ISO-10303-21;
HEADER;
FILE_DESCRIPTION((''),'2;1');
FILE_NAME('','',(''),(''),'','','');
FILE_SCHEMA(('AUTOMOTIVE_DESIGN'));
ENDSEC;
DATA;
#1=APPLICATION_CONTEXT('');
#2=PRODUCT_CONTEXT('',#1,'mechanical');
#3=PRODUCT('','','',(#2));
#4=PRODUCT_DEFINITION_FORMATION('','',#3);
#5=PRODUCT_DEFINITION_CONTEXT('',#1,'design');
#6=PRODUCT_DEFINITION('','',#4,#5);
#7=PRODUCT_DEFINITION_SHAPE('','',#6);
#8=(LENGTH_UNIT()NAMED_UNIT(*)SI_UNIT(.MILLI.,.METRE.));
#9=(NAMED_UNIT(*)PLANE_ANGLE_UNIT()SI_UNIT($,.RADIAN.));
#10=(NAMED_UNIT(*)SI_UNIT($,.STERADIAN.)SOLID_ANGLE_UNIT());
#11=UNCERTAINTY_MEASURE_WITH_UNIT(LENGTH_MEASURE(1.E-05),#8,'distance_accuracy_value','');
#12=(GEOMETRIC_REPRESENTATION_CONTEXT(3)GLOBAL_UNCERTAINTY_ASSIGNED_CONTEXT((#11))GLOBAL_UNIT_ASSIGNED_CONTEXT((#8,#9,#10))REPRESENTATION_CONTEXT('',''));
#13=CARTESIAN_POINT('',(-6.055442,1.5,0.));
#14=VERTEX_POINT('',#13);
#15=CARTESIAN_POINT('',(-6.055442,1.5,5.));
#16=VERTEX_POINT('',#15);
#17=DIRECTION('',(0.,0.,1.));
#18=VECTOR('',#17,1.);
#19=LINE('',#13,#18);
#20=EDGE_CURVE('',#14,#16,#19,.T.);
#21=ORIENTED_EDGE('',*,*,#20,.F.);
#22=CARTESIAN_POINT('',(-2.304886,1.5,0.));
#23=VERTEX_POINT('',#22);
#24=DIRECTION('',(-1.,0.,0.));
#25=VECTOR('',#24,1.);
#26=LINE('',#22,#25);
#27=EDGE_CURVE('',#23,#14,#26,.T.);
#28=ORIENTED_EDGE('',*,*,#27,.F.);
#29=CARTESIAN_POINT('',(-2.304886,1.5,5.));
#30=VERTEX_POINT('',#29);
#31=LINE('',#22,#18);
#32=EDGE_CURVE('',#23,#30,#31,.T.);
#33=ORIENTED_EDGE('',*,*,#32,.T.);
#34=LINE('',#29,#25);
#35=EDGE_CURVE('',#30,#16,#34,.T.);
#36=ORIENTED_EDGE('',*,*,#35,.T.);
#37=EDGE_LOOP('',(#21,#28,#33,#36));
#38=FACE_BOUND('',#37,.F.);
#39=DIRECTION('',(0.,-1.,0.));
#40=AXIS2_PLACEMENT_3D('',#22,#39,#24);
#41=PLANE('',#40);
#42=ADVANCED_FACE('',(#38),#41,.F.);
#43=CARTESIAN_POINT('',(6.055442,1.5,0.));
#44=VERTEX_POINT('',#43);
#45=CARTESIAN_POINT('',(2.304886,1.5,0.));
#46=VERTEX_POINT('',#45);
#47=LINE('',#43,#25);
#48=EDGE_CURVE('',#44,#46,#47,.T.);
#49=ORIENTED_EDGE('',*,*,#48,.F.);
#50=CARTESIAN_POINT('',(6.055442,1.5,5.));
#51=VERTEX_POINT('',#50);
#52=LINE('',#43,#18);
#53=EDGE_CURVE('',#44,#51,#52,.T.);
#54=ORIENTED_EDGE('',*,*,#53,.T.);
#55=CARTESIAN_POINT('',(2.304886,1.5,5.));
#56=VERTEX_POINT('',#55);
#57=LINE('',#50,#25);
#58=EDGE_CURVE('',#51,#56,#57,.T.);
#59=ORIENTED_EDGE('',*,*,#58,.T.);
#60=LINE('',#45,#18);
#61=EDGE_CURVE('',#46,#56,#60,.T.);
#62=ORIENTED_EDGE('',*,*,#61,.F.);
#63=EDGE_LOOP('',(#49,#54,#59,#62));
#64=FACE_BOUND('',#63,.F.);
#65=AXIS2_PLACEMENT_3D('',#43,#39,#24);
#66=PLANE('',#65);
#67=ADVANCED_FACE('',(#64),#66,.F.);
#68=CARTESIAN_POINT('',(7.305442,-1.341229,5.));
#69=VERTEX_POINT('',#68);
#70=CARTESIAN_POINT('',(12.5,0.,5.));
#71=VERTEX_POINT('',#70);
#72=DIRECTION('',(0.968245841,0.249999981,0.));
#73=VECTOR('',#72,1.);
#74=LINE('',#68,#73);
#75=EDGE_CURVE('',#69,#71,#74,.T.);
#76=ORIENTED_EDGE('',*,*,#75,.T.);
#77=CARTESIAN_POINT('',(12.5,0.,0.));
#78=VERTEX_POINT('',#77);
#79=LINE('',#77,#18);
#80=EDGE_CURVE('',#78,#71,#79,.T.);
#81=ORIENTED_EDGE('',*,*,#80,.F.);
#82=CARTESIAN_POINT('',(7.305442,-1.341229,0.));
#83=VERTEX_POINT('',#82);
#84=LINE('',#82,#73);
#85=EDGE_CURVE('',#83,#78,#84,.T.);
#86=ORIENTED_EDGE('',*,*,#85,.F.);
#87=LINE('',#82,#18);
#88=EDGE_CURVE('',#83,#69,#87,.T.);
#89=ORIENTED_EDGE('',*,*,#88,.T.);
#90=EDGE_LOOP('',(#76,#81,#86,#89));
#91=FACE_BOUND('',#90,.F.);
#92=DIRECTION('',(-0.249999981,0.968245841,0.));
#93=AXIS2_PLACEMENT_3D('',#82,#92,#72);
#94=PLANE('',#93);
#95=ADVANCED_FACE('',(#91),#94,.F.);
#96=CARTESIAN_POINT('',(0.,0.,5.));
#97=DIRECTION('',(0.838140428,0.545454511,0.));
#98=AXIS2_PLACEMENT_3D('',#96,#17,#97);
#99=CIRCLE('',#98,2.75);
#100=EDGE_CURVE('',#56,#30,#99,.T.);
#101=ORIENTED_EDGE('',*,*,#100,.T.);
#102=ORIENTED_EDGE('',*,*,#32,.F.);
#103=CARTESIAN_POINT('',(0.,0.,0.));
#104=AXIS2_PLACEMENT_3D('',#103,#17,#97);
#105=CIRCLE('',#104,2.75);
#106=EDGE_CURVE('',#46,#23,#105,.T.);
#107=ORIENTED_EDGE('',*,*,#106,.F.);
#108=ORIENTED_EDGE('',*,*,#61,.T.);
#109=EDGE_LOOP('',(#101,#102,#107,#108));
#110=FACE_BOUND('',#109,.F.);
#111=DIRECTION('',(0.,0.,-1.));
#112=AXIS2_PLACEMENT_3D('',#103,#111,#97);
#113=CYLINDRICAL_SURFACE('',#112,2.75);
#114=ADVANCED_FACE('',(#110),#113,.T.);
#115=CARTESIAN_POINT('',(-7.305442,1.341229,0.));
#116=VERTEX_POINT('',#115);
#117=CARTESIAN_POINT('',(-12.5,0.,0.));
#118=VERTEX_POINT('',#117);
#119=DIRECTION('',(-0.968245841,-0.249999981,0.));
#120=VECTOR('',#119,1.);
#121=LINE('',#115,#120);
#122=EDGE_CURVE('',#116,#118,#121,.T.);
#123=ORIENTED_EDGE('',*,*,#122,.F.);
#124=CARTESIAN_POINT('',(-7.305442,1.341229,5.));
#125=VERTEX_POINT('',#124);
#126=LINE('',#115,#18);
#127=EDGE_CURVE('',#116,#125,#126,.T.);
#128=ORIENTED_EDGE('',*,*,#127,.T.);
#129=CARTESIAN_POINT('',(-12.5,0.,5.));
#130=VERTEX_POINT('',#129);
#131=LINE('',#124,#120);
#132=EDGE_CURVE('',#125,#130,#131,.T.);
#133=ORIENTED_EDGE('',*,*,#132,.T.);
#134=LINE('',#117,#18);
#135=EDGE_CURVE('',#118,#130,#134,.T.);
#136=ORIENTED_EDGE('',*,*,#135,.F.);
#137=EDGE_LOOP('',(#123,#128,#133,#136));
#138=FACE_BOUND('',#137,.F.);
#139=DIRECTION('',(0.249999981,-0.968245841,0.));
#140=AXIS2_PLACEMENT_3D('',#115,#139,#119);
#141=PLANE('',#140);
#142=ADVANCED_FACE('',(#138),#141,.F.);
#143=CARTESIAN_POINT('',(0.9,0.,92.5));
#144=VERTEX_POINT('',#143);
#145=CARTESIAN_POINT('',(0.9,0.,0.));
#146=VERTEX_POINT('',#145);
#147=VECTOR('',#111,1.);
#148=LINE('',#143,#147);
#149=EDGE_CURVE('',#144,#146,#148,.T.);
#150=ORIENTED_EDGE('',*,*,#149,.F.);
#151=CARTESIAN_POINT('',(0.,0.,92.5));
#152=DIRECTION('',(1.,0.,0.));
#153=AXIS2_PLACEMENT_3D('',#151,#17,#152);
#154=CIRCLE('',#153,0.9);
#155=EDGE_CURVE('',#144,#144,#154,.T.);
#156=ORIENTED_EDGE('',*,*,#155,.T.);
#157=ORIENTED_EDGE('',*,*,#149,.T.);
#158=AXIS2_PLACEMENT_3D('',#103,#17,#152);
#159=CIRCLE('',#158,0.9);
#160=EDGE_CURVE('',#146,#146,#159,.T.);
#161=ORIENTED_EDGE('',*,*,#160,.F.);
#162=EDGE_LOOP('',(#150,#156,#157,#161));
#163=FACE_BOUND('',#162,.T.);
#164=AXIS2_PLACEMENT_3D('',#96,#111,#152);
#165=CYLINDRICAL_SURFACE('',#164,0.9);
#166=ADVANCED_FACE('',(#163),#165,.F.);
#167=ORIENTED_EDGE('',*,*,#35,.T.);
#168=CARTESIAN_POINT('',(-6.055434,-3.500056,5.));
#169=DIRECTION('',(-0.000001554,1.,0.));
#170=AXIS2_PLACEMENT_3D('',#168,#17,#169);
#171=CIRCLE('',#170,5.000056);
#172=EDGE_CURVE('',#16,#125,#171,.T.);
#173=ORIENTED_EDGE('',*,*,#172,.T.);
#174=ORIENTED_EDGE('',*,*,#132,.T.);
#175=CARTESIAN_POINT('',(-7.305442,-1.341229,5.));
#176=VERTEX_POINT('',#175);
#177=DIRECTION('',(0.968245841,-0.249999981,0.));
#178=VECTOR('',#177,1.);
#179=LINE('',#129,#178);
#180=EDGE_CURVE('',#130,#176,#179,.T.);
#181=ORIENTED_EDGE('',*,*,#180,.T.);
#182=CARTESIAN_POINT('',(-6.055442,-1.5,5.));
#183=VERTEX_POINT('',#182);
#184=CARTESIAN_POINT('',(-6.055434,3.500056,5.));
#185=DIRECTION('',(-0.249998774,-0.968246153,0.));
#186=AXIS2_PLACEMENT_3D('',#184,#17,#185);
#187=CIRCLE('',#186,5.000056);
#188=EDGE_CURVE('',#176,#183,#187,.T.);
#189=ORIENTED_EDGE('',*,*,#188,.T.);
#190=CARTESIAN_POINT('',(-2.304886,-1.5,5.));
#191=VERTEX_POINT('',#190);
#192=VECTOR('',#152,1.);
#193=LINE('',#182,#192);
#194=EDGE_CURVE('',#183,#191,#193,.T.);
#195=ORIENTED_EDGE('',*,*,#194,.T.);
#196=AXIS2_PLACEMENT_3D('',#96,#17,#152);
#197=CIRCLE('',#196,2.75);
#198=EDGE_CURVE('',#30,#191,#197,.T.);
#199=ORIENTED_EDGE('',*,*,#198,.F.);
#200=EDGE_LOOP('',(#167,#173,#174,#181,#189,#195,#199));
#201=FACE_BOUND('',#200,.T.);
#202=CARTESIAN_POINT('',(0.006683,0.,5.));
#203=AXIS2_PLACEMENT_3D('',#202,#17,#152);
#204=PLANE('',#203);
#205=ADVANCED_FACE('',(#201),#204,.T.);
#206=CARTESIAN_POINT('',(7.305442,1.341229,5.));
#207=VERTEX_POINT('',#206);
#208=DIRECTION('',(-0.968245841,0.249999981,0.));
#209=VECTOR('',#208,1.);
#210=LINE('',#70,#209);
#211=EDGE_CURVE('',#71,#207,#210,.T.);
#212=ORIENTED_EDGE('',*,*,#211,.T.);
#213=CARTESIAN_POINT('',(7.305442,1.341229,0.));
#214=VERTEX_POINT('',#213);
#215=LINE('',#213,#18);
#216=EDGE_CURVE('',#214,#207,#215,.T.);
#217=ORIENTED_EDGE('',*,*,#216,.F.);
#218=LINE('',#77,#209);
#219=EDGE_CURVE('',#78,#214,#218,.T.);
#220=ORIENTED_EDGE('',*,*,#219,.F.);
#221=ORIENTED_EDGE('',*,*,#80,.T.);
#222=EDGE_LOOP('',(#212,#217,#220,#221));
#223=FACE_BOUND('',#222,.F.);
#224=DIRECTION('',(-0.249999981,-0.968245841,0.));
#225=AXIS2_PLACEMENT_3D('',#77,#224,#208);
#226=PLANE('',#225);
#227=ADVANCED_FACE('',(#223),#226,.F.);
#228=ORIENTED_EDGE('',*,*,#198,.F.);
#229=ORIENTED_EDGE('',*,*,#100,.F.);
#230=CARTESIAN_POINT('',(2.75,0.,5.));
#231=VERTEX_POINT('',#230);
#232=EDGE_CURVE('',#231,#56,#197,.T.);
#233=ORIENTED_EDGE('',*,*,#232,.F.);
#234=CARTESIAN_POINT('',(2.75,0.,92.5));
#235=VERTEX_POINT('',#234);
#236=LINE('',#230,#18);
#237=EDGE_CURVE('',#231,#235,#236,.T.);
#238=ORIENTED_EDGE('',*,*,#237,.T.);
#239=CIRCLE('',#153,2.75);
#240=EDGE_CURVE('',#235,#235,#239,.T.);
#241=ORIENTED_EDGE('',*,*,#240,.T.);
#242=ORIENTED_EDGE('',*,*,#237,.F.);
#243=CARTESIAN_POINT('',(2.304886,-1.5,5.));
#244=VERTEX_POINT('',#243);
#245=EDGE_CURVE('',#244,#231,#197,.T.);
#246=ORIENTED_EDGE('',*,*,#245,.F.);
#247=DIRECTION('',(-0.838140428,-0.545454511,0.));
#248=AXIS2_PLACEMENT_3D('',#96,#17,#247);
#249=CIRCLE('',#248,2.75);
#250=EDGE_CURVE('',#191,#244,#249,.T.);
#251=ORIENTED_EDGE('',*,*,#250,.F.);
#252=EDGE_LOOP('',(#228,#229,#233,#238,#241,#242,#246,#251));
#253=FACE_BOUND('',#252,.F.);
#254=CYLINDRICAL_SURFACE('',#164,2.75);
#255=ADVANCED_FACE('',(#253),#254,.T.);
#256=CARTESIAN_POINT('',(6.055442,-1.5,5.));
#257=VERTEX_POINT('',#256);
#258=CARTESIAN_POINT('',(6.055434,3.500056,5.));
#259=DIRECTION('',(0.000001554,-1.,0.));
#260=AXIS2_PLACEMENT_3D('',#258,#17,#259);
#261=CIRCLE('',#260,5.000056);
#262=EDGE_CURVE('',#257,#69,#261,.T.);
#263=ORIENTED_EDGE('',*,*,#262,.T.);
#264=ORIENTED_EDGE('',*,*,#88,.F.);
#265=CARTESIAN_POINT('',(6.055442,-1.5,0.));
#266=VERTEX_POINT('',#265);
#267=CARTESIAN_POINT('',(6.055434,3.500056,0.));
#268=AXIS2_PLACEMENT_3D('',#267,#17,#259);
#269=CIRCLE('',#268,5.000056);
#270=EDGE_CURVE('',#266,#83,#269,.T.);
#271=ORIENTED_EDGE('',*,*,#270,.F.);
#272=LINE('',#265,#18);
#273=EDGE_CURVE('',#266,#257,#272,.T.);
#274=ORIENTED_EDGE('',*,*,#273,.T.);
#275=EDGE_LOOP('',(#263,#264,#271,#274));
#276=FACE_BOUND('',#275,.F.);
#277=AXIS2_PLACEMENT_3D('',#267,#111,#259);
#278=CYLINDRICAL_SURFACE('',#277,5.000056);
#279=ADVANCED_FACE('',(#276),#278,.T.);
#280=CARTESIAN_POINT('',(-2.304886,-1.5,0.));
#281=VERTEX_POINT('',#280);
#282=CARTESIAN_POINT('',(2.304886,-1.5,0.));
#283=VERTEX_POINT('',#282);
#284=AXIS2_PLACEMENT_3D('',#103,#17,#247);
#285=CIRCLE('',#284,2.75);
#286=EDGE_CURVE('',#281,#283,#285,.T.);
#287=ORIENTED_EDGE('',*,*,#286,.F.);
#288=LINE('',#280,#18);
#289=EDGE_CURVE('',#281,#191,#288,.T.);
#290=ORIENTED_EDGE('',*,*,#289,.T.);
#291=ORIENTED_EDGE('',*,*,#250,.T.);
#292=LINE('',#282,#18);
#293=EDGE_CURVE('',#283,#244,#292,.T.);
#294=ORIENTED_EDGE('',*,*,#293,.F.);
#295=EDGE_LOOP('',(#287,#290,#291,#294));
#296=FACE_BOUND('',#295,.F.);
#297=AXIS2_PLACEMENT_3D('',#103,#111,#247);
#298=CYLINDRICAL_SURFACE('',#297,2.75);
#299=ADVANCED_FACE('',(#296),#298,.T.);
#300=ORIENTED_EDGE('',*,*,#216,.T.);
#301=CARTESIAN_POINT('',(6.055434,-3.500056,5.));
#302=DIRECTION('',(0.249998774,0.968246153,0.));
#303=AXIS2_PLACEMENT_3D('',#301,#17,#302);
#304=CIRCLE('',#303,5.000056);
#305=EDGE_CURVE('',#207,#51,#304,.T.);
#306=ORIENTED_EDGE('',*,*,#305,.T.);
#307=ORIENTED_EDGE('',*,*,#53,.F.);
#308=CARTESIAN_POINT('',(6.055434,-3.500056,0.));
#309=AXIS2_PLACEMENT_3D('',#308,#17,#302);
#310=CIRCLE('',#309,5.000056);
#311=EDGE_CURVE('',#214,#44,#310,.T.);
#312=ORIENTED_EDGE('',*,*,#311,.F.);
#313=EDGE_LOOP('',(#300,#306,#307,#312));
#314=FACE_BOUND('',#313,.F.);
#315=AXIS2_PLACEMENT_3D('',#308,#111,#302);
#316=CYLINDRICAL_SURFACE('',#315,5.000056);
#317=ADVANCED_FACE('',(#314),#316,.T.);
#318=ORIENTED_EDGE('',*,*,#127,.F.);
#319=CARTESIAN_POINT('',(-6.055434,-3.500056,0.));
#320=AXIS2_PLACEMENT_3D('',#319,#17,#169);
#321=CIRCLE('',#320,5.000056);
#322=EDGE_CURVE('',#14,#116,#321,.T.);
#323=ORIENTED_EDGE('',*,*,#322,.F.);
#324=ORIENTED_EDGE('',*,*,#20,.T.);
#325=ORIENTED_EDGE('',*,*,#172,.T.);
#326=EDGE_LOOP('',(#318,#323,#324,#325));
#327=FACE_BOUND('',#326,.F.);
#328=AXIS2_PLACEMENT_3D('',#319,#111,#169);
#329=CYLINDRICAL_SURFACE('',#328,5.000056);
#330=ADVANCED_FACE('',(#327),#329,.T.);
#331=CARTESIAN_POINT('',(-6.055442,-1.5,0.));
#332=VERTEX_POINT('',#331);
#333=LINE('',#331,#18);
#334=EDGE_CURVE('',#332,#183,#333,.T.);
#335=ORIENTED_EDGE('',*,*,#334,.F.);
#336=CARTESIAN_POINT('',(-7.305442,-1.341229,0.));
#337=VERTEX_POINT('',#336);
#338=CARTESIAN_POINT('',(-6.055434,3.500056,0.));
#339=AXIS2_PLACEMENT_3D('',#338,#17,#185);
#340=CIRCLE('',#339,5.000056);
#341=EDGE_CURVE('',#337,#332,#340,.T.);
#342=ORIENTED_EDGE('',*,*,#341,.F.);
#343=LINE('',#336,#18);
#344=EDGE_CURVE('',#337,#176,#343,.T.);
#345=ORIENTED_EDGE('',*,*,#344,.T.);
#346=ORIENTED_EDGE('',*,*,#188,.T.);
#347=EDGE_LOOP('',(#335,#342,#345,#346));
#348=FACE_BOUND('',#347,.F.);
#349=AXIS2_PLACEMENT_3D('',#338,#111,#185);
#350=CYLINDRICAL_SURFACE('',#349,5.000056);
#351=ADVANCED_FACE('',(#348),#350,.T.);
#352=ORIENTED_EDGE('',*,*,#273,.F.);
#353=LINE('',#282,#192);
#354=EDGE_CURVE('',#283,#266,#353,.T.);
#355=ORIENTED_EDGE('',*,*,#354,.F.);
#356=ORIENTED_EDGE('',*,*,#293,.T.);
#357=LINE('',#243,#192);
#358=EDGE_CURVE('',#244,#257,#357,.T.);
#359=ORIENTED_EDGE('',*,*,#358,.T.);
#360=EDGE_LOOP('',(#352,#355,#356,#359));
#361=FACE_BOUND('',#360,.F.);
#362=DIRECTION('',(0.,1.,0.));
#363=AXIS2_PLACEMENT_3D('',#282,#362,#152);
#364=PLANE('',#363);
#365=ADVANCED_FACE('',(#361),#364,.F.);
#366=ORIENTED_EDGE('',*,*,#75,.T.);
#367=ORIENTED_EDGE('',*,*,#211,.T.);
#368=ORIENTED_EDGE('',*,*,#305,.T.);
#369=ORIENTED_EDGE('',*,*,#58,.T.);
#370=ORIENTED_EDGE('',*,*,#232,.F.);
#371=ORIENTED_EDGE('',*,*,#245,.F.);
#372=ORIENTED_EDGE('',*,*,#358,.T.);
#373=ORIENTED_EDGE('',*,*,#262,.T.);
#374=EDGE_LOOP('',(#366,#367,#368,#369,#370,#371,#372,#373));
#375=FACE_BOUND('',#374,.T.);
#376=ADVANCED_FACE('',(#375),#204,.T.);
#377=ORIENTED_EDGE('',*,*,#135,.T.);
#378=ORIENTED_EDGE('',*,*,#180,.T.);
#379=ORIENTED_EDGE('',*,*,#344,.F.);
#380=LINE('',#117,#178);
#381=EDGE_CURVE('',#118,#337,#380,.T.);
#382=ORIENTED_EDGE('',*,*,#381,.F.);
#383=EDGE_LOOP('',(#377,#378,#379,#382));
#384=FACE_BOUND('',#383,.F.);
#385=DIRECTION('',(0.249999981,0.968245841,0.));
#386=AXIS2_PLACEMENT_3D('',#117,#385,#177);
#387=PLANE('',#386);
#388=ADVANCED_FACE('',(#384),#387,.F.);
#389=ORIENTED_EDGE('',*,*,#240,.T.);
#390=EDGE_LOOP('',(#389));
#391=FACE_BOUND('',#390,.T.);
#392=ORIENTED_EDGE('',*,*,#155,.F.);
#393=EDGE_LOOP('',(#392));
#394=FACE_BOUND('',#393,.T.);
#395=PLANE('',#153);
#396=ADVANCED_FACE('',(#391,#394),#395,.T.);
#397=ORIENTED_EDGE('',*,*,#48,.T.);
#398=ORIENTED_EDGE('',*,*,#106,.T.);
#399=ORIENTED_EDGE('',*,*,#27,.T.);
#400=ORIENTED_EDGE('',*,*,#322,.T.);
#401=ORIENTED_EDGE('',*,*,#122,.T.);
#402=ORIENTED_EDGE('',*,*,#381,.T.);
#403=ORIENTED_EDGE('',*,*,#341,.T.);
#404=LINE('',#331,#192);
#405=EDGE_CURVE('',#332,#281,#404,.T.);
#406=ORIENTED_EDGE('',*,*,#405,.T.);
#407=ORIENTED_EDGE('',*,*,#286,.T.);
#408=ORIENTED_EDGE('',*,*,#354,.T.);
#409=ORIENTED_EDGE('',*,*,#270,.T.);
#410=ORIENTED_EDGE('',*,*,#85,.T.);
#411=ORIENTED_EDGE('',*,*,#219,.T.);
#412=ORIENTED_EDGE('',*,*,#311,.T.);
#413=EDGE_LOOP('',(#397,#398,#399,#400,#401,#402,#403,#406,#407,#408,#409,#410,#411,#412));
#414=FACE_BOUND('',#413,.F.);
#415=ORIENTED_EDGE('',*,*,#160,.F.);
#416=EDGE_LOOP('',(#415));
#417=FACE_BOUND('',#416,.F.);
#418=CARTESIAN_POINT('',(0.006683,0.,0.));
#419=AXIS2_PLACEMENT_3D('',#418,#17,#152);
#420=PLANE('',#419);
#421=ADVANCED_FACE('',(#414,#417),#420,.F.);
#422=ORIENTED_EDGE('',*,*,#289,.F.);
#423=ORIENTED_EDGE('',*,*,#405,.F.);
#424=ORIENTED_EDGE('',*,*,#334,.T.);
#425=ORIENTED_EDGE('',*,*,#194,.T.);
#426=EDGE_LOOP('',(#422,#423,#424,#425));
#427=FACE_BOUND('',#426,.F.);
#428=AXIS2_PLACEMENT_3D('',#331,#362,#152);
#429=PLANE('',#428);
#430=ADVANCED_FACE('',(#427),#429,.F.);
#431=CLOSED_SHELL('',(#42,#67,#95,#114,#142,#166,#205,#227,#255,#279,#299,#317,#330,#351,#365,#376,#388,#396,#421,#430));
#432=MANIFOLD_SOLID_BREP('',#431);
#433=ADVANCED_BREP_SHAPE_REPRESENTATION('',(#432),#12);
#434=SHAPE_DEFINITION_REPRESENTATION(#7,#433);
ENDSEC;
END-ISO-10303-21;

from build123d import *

# Parameters (mm, degrees)
F0_R     = 0.9
F1_DEPTH = 5
F2_R     = 2.75
F2_R_2   = 0.9
F3_DEPTH = 87.5


with BuildPart() as f1:
    # F0 (on Top) → F1 (new body)
    with BuildSketch(Plane.XY):
        with BuildLine():
            ThreePointArc((2.304886, -1.5), (2.636374, -0.782324), (2.75, 0))
            ThreePointArc((2.75, 0), (2.636374, 0.782324), (2.304886, 1.5))
            ThreePointArc((2.304886, 1.5), (0, 2.75), (-2.304886, 1.5))
            ThreePointArc((-2.304886, 1.5), (-2.75, 0), (-2.304886, -1.5))
            ThreePointArc((-2.304886, -1.5), (0, -2.75), (2.304886, -1.5))
        make_face()
        Circle(F0_R, mode=Mode.SUBTRACT)
        with BuildLine():
            ThreePointArc((-2.304886, -1.5), (-2.75, 0), (-2.304886, 1.5))
            Line((-2.304886, 1.5), (-6.055442, 1.5))
            ThreePointArc((-6.055442, 1.5), (-6.685463, 1.460148), (-7.305442, 1.341229))
            Line((-7.305442, 1.341229), (-12.5, 0))
            Line((-12.5, 0), (-7.305442, -1.341229))
            ThreePointArc((-7.305442, -1.341229), (-6.685463, -1.460148), (-6.055442, -1.5))
            Line((-6.055442, -1.5), (-2.304886, -1.5))
        make_face()
        with BuildLine():
            ThreePointArc((2.304886, 1.5), (2.636374, 0.782324), (2.75, 0))
            ThreePointArc((2.75, 0), (2.636374, -0.782324), (2.304886, -1.5))
            Line((2.304886, -1.5), (6.055442, -1.5))
            ThreePointArc((6.055442, -1.5), (6.685463, -1.460148), (7.305442, -1.341229))
            Line((7.305442, -1.341229), (12.5, 0))
            Line((12.5, 0), (7.305442, 1.341229))
            ThreePointArc((7.305442, 1.341229), (6.685463, 1.460148), (6.055442, 1.5))
            Line((6.055442, 1.5), (2.304886, 1.5))
        make_face()
    extrude(amount=F1_DEPTH)

    # F2 (on face) → F3 (join)
    with BuildSketch(Plane.XY.offset(5)):
        Circle(F2_R)
        Circle(F2_R_2, mode=Mode.SUBTRACT)
    extrude(amount=F3_DEPTH)


solid = f1.part
